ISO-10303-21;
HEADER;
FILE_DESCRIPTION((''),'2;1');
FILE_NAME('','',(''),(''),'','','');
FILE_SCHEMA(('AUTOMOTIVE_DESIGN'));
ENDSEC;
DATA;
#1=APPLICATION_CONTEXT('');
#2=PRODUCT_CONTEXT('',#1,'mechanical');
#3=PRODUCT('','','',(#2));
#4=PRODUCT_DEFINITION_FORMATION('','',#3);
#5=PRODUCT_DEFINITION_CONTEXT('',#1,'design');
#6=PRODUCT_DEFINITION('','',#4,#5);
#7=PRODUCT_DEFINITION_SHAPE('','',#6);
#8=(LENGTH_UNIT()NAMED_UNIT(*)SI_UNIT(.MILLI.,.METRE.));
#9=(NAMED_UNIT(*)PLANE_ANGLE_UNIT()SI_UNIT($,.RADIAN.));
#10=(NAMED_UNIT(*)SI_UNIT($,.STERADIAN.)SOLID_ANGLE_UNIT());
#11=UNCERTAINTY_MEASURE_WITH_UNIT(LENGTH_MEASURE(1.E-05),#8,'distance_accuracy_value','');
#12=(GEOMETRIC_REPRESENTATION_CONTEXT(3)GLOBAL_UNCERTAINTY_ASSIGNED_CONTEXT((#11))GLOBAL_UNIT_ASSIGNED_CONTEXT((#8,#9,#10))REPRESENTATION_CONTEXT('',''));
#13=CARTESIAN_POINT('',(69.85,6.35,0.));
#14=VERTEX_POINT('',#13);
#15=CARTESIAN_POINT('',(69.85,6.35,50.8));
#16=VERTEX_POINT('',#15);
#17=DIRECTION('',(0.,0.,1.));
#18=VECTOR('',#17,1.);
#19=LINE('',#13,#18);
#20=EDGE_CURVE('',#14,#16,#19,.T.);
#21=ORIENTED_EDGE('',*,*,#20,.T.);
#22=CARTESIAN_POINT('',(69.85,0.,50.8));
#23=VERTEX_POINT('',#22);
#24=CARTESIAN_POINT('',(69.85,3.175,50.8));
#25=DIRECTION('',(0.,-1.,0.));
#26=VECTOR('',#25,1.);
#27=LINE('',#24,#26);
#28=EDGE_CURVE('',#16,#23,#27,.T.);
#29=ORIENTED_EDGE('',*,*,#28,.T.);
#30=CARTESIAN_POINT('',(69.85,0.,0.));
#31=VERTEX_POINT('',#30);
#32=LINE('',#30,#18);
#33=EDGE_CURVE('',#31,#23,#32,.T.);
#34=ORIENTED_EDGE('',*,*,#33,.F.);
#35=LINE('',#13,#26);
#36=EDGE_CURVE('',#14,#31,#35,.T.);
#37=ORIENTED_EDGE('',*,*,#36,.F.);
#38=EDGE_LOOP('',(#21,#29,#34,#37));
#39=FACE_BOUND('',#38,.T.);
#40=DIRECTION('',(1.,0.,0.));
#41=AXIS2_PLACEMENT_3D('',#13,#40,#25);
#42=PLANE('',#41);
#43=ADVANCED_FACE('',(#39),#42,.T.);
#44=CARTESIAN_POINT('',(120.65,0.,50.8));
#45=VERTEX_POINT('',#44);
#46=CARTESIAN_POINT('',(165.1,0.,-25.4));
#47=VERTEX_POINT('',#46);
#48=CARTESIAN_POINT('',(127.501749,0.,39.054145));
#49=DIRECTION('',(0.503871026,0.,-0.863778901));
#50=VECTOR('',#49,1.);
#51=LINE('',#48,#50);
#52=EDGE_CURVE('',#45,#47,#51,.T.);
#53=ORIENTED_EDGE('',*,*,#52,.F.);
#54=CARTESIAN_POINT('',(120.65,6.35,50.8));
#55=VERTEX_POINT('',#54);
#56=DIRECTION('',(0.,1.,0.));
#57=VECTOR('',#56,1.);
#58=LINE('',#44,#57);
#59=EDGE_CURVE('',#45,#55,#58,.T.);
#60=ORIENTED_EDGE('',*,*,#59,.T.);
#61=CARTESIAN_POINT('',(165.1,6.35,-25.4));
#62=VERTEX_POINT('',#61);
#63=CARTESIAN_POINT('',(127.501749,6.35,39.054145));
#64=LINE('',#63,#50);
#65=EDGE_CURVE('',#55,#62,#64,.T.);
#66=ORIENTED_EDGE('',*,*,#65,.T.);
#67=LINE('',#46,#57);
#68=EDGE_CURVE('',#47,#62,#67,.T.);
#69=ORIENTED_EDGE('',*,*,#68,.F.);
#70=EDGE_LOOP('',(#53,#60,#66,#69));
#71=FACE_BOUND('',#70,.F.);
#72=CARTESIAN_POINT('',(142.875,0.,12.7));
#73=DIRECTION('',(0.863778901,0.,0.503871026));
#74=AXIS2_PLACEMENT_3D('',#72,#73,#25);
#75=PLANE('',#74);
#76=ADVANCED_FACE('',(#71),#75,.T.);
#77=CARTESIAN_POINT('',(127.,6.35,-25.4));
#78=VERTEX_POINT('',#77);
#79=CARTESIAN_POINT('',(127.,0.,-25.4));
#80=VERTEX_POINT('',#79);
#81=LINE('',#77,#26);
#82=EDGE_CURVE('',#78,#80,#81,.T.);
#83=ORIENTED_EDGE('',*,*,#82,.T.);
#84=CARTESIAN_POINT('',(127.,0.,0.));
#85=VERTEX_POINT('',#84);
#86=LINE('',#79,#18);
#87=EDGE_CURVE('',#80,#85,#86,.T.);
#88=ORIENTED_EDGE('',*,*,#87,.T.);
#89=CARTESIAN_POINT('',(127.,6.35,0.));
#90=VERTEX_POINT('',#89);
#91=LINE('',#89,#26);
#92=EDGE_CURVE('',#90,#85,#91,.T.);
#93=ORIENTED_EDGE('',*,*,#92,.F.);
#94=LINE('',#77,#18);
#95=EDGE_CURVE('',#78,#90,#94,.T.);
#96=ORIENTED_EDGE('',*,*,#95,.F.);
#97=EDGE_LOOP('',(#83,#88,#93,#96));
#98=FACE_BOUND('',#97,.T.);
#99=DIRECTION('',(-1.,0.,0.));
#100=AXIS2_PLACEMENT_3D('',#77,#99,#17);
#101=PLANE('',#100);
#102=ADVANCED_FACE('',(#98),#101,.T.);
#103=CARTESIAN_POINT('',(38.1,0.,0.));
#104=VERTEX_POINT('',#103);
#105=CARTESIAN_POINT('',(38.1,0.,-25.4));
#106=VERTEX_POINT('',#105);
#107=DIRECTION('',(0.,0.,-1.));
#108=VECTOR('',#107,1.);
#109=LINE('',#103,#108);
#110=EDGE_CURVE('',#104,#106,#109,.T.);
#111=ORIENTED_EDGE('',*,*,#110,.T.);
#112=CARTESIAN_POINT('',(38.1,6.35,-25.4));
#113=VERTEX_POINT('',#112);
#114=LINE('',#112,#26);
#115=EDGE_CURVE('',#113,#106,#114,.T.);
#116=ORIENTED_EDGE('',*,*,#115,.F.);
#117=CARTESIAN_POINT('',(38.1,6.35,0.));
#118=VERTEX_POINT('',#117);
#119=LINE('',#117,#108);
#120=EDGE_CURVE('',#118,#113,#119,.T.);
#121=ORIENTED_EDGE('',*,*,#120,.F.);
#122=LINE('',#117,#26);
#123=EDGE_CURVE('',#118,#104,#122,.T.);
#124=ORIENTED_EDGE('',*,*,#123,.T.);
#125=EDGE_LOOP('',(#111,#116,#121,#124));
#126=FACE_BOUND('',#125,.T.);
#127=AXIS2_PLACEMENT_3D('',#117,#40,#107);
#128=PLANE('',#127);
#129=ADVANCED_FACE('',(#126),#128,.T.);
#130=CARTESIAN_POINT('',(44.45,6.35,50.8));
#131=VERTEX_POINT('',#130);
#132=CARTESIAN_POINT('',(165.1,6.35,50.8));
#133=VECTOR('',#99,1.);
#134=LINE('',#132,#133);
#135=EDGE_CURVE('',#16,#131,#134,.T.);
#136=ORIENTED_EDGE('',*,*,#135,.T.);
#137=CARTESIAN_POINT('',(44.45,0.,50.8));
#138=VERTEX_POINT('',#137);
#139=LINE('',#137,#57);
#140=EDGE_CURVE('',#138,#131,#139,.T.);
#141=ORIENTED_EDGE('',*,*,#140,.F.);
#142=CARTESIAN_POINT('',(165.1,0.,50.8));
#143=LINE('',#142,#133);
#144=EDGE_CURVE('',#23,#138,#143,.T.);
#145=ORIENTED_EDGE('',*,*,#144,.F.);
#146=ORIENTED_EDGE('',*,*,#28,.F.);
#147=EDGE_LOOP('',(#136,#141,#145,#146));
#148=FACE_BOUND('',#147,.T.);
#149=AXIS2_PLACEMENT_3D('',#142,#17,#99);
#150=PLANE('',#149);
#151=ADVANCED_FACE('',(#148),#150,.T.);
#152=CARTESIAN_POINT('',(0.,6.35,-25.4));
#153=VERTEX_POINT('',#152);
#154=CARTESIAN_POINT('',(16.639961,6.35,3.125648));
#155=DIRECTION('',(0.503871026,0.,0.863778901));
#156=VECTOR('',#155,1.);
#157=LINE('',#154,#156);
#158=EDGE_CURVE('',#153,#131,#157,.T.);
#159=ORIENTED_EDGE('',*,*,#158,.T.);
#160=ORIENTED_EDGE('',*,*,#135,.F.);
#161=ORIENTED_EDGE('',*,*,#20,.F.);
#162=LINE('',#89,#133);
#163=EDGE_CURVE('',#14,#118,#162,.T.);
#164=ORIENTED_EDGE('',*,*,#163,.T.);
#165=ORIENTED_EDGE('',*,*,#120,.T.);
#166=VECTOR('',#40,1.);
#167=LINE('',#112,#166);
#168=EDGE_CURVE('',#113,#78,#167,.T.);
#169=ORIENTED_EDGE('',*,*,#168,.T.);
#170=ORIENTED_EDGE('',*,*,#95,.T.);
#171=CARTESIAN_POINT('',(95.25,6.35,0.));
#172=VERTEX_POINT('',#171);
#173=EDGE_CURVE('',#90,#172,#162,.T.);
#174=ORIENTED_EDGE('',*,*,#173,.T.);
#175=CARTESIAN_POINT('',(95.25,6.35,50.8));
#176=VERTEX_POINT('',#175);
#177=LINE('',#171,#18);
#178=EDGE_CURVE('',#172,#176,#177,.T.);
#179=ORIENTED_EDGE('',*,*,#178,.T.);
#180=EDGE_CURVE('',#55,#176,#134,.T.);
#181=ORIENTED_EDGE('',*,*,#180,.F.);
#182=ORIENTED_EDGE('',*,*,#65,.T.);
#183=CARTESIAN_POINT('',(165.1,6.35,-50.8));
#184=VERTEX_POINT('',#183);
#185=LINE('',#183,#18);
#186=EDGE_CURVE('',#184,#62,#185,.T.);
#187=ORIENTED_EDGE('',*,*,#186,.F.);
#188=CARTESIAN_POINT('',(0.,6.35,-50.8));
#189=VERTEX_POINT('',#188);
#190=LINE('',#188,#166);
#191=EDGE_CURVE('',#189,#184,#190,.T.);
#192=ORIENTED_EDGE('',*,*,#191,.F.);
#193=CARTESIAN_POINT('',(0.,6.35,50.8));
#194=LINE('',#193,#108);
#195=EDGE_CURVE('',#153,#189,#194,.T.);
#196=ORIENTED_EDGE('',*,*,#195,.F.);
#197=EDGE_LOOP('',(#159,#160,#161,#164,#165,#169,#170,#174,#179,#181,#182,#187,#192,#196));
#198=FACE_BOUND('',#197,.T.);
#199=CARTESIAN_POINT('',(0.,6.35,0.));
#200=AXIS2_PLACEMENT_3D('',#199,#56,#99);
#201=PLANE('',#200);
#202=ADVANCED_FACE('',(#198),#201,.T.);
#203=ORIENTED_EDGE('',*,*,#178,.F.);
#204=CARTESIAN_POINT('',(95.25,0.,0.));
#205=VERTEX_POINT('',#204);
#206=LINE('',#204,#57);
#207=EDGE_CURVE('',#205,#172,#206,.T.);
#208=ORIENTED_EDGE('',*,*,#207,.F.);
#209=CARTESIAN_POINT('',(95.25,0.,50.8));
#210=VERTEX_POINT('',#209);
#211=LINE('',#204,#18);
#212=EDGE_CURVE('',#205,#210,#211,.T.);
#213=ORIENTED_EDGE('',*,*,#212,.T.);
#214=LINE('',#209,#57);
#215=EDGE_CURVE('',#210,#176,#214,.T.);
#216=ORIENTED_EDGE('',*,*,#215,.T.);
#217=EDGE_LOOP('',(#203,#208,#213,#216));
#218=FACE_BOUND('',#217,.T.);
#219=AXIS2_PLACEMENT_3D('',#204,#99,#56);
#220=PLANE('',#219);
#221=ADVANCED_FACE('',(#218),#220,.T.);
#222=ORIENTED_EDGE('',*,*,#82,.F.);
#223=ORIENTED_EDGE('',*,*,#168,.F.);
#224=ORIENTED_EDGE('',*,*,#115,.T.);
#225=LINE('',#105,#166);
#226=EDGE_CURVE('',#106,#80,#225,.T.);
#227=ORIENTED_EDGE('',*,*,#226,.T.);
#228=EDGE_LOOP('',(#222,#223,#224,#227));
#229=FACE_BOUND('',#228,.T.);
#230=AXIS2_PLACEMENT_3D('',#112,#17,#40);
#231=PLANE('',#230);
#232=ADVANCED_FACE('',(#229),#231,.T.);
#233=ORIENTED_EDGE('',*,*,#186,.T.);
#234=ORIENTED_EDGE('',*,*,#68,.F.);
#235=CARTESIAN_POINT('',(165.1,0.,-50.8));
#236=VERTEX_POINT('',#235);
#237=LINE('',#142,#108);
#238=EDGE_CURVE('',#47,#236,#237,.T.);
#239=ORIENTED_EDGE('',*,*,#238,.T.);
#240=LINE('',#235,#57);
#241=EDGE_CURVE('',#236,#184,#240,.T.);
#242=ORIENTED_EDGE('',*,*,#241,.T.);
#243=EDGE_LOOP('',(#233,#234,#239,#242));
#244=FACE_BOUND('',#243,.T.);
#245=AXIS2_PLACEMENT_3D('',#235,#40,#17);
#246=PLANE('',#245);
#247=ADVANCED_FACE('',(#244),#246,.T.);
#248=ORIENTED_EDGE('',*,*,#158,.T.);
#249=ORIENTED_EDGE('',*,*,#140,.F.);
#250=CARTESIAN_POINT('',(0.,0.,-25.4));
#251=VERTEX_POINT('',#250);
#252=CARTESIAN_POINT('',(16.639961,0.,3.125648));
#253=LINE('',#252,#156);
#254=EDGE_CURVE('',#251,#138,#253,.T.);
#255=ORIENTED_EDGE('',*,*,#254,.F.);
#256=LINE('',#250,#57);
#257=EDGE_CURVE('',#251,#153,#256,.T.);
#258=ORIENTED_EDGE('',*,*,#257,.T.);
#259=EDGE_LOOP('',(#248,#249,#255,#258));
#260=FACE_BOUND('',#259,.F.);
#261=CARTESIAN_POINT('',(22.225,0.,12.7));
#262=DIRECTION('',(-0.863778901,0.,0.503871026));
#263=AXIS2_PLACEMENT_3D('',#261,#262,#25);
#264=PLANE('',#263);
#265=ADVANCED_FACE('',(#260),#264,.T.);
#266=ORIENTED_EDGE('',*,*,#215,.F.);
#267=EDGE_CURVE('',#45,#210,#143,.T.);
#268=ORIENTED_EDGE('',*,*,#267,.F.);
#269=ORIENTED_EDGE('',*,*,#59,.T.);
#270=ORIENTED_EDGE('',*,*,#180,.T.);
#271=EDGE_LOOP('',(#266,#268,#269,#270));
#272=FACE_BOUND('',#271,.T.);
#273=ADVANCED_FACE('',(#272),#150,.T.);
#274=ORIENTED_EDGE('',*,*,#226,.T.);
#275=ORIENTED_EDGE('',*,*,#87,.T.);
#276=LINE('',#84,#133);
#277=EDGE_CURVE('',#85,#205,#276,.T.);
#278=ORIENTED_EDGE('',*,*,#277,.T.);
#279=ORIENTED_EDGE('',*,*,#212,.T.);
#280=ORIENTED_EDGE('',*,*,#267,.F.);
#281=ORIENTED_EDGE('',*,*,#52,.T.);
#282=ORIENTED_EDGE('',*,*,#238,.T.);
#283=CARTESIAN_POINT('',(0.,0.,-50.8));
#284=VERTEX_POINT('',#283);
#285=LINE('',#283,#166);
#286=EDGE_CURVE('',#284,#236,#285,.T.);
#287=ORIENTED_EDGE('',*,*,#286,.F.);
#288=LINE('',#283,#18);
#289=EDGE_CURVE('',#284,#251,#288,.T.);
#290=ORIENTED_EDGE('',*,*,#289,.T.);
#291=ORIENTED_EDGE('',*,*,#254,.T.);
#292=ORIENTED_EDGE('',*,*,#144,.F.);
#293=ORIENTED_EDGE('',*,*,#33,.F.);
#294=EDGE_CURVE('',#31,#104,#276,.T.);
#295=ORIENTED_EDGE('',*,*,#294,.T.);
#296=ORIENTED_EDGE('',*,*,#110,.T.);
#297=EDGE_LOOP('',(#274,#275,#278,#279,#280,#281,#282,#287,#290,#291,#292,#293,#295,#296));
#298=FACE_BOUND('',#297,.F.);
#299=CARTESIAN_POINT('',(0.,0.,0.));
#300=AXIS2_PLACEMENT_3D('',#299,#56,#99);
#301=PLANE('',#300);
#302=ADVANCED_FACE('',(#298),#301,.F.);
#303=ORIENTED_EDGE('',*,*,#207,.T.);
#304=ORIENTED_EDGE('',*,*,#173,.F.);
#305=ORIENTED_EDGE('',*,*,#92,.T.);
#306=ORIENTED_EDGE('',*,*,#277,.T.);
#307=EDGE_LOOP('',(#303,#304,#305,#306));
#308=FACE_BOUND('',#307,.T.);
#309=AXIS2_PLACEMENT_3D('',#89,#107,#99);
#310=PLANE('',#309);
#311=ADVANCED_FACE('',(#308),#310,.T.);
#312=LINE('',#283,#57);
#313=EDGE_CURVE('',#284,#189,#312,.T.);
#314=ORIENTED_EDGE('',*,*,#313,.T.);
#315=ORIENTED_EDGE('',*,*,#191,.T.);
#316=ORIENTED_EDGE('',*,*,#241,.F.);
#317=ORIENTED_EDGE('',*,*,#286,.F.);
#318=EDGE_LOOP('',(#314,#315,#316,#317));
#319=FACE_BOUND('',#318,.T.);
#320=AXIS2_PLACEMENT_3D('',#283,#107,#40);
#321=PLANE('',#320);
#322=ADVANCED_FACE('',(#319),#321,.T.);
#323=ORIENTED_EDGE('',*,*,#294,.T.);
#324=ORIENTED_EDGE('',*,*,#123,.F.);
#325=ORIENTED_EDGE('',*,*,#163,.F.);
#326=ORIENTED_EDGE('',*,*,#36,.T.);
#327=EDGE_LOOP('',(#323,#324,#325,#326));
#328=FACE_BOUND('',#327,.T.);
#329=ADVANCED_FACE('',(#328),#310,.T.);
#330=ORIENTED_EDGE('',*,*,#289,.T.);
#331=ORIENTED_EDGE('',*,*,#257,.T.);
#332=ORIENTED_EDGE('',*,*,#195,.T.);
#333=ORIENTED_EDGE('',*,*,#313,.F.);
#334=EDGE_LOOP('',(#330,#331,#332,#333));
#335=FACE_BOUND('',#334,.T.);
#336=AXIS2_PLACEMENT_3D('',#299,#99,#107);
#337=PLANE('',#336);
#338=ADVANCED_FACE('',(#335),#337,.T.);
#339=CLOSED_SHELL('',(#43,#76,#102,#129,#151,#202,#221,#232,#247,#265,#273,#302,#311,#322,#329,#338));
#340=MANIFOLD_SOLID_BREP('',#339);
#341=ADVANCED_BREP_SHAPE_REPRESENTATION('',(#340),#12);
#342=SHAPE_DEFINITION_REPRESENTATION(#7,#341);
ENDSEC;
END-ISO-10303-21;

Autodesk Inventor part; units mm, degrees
sketch "Sketch1" plane through (0, 0, 0) normal (0, 1, 0) x (-1, 0, 0)
  line L0 (0, -50.8) -> (-165.1, -50.8)
  line L1 (-165.1, -50.8) -> (-165.1, 50.8)
  line L2 (-165.1, 50.8) -> (0, 50.8)
  line L3 (0, 50.8) -> (0, -50.8)
  line L4 (0, -71.12) -> (0, 71.12) projected
  line L5 (-198.12, 0) -> (33.02, 0) projected
  point P0 (0, 0)
  dimension "d0" = 0
  dimension "d1" = 101.6
  dimension "d2" = 50.8
  dimension "d3" = 165.1
extrude "Extrusion1" add sketch "Sketch1" along normal blind 6.35
chamfer "Chamfer1" distance 76.2 distance2 44.45 1 edges at (0, 3.175, 50.8) measured on face at (0, 2.1167, -16.9333)
chamfer "Chamfer2" distance 44.45 distance2 76.2 1 edges at (165.1, 3.175, 50.8) measured on face at (84.6667, 2.1167, 50.8)
sketch "Sketch2" plane through (0, 6.35, 0) normal (0, 1, 0) x (1, 0, 0)
  line L0 (38.1, 25.4) -> (127, 25.4)
  line L1 (127, 25.4) -> (127, 0)
  line L2 (127, 0) -> (38.1, 0)
  line L3 (38.1, 0) -> (38.1, 25.4)
  line L4 (165.1, 50.8) -> (0, 50.8) projected
  line L5 (0, 50.8) -> (0, 25.4) projected
  point P0 (0, 0)
  point P1 (38.1, 12.7)
  dimension "d12" = 25.4
  dimension "d13" = 25.4
  dimension "d14" = 88.9
  dimension "d15" = 38.1
extrude "Extrusion2" cut sketch "Sketch2" against normal up to surface (6.35 mm away)
sketch "Sketch3" plane through (44.45, 0, 50.8) normal (0, 0, 1) x (1, 0, 0)
  line L0 (120.65, 6.35) -> (-44.45, 6.35) projected
  line L1 (25.4, 6.35) -> (25.4, 0)
  line L2 (25.4, 0) -> (50.8, 0)
  line L3 (50.8, 0) -> (50.8, 6.35)
  line L4 (-44.45, 7.62) -> (-44.45, -1.27) projected
  point P0 (-44.45, 0)
  dimension "d18" = 25.4
  dimension "d19" = 69.85
sketch "Sketch4" plane through (127, 6.35, 0) normal (0, 0, -1) x (-1, 0, 0)
  line L0 (88.9, -6.35) -> (0, -6.35) projected
  line L1 (88.9, 0) -> (88.9, -6.35) projected
  line L2 (0, 0) -> (88.9, 0) projected
  line L3 (0, 0) -> (0, -6.35) projected
  line L4 (31.75, -6.35) -> (31.75, 0) projected
  line L5 (57.15, 0) -> (57.15, -6.35) projected
  point P0 (127, -6.35)
extrude "Extrusion3" cut sketch "Sketch4" against normal up to next contours L0 L4 L2 L5
equation "\"d2\" = 0.5 * d1"
properties part number "chap3ex1"
